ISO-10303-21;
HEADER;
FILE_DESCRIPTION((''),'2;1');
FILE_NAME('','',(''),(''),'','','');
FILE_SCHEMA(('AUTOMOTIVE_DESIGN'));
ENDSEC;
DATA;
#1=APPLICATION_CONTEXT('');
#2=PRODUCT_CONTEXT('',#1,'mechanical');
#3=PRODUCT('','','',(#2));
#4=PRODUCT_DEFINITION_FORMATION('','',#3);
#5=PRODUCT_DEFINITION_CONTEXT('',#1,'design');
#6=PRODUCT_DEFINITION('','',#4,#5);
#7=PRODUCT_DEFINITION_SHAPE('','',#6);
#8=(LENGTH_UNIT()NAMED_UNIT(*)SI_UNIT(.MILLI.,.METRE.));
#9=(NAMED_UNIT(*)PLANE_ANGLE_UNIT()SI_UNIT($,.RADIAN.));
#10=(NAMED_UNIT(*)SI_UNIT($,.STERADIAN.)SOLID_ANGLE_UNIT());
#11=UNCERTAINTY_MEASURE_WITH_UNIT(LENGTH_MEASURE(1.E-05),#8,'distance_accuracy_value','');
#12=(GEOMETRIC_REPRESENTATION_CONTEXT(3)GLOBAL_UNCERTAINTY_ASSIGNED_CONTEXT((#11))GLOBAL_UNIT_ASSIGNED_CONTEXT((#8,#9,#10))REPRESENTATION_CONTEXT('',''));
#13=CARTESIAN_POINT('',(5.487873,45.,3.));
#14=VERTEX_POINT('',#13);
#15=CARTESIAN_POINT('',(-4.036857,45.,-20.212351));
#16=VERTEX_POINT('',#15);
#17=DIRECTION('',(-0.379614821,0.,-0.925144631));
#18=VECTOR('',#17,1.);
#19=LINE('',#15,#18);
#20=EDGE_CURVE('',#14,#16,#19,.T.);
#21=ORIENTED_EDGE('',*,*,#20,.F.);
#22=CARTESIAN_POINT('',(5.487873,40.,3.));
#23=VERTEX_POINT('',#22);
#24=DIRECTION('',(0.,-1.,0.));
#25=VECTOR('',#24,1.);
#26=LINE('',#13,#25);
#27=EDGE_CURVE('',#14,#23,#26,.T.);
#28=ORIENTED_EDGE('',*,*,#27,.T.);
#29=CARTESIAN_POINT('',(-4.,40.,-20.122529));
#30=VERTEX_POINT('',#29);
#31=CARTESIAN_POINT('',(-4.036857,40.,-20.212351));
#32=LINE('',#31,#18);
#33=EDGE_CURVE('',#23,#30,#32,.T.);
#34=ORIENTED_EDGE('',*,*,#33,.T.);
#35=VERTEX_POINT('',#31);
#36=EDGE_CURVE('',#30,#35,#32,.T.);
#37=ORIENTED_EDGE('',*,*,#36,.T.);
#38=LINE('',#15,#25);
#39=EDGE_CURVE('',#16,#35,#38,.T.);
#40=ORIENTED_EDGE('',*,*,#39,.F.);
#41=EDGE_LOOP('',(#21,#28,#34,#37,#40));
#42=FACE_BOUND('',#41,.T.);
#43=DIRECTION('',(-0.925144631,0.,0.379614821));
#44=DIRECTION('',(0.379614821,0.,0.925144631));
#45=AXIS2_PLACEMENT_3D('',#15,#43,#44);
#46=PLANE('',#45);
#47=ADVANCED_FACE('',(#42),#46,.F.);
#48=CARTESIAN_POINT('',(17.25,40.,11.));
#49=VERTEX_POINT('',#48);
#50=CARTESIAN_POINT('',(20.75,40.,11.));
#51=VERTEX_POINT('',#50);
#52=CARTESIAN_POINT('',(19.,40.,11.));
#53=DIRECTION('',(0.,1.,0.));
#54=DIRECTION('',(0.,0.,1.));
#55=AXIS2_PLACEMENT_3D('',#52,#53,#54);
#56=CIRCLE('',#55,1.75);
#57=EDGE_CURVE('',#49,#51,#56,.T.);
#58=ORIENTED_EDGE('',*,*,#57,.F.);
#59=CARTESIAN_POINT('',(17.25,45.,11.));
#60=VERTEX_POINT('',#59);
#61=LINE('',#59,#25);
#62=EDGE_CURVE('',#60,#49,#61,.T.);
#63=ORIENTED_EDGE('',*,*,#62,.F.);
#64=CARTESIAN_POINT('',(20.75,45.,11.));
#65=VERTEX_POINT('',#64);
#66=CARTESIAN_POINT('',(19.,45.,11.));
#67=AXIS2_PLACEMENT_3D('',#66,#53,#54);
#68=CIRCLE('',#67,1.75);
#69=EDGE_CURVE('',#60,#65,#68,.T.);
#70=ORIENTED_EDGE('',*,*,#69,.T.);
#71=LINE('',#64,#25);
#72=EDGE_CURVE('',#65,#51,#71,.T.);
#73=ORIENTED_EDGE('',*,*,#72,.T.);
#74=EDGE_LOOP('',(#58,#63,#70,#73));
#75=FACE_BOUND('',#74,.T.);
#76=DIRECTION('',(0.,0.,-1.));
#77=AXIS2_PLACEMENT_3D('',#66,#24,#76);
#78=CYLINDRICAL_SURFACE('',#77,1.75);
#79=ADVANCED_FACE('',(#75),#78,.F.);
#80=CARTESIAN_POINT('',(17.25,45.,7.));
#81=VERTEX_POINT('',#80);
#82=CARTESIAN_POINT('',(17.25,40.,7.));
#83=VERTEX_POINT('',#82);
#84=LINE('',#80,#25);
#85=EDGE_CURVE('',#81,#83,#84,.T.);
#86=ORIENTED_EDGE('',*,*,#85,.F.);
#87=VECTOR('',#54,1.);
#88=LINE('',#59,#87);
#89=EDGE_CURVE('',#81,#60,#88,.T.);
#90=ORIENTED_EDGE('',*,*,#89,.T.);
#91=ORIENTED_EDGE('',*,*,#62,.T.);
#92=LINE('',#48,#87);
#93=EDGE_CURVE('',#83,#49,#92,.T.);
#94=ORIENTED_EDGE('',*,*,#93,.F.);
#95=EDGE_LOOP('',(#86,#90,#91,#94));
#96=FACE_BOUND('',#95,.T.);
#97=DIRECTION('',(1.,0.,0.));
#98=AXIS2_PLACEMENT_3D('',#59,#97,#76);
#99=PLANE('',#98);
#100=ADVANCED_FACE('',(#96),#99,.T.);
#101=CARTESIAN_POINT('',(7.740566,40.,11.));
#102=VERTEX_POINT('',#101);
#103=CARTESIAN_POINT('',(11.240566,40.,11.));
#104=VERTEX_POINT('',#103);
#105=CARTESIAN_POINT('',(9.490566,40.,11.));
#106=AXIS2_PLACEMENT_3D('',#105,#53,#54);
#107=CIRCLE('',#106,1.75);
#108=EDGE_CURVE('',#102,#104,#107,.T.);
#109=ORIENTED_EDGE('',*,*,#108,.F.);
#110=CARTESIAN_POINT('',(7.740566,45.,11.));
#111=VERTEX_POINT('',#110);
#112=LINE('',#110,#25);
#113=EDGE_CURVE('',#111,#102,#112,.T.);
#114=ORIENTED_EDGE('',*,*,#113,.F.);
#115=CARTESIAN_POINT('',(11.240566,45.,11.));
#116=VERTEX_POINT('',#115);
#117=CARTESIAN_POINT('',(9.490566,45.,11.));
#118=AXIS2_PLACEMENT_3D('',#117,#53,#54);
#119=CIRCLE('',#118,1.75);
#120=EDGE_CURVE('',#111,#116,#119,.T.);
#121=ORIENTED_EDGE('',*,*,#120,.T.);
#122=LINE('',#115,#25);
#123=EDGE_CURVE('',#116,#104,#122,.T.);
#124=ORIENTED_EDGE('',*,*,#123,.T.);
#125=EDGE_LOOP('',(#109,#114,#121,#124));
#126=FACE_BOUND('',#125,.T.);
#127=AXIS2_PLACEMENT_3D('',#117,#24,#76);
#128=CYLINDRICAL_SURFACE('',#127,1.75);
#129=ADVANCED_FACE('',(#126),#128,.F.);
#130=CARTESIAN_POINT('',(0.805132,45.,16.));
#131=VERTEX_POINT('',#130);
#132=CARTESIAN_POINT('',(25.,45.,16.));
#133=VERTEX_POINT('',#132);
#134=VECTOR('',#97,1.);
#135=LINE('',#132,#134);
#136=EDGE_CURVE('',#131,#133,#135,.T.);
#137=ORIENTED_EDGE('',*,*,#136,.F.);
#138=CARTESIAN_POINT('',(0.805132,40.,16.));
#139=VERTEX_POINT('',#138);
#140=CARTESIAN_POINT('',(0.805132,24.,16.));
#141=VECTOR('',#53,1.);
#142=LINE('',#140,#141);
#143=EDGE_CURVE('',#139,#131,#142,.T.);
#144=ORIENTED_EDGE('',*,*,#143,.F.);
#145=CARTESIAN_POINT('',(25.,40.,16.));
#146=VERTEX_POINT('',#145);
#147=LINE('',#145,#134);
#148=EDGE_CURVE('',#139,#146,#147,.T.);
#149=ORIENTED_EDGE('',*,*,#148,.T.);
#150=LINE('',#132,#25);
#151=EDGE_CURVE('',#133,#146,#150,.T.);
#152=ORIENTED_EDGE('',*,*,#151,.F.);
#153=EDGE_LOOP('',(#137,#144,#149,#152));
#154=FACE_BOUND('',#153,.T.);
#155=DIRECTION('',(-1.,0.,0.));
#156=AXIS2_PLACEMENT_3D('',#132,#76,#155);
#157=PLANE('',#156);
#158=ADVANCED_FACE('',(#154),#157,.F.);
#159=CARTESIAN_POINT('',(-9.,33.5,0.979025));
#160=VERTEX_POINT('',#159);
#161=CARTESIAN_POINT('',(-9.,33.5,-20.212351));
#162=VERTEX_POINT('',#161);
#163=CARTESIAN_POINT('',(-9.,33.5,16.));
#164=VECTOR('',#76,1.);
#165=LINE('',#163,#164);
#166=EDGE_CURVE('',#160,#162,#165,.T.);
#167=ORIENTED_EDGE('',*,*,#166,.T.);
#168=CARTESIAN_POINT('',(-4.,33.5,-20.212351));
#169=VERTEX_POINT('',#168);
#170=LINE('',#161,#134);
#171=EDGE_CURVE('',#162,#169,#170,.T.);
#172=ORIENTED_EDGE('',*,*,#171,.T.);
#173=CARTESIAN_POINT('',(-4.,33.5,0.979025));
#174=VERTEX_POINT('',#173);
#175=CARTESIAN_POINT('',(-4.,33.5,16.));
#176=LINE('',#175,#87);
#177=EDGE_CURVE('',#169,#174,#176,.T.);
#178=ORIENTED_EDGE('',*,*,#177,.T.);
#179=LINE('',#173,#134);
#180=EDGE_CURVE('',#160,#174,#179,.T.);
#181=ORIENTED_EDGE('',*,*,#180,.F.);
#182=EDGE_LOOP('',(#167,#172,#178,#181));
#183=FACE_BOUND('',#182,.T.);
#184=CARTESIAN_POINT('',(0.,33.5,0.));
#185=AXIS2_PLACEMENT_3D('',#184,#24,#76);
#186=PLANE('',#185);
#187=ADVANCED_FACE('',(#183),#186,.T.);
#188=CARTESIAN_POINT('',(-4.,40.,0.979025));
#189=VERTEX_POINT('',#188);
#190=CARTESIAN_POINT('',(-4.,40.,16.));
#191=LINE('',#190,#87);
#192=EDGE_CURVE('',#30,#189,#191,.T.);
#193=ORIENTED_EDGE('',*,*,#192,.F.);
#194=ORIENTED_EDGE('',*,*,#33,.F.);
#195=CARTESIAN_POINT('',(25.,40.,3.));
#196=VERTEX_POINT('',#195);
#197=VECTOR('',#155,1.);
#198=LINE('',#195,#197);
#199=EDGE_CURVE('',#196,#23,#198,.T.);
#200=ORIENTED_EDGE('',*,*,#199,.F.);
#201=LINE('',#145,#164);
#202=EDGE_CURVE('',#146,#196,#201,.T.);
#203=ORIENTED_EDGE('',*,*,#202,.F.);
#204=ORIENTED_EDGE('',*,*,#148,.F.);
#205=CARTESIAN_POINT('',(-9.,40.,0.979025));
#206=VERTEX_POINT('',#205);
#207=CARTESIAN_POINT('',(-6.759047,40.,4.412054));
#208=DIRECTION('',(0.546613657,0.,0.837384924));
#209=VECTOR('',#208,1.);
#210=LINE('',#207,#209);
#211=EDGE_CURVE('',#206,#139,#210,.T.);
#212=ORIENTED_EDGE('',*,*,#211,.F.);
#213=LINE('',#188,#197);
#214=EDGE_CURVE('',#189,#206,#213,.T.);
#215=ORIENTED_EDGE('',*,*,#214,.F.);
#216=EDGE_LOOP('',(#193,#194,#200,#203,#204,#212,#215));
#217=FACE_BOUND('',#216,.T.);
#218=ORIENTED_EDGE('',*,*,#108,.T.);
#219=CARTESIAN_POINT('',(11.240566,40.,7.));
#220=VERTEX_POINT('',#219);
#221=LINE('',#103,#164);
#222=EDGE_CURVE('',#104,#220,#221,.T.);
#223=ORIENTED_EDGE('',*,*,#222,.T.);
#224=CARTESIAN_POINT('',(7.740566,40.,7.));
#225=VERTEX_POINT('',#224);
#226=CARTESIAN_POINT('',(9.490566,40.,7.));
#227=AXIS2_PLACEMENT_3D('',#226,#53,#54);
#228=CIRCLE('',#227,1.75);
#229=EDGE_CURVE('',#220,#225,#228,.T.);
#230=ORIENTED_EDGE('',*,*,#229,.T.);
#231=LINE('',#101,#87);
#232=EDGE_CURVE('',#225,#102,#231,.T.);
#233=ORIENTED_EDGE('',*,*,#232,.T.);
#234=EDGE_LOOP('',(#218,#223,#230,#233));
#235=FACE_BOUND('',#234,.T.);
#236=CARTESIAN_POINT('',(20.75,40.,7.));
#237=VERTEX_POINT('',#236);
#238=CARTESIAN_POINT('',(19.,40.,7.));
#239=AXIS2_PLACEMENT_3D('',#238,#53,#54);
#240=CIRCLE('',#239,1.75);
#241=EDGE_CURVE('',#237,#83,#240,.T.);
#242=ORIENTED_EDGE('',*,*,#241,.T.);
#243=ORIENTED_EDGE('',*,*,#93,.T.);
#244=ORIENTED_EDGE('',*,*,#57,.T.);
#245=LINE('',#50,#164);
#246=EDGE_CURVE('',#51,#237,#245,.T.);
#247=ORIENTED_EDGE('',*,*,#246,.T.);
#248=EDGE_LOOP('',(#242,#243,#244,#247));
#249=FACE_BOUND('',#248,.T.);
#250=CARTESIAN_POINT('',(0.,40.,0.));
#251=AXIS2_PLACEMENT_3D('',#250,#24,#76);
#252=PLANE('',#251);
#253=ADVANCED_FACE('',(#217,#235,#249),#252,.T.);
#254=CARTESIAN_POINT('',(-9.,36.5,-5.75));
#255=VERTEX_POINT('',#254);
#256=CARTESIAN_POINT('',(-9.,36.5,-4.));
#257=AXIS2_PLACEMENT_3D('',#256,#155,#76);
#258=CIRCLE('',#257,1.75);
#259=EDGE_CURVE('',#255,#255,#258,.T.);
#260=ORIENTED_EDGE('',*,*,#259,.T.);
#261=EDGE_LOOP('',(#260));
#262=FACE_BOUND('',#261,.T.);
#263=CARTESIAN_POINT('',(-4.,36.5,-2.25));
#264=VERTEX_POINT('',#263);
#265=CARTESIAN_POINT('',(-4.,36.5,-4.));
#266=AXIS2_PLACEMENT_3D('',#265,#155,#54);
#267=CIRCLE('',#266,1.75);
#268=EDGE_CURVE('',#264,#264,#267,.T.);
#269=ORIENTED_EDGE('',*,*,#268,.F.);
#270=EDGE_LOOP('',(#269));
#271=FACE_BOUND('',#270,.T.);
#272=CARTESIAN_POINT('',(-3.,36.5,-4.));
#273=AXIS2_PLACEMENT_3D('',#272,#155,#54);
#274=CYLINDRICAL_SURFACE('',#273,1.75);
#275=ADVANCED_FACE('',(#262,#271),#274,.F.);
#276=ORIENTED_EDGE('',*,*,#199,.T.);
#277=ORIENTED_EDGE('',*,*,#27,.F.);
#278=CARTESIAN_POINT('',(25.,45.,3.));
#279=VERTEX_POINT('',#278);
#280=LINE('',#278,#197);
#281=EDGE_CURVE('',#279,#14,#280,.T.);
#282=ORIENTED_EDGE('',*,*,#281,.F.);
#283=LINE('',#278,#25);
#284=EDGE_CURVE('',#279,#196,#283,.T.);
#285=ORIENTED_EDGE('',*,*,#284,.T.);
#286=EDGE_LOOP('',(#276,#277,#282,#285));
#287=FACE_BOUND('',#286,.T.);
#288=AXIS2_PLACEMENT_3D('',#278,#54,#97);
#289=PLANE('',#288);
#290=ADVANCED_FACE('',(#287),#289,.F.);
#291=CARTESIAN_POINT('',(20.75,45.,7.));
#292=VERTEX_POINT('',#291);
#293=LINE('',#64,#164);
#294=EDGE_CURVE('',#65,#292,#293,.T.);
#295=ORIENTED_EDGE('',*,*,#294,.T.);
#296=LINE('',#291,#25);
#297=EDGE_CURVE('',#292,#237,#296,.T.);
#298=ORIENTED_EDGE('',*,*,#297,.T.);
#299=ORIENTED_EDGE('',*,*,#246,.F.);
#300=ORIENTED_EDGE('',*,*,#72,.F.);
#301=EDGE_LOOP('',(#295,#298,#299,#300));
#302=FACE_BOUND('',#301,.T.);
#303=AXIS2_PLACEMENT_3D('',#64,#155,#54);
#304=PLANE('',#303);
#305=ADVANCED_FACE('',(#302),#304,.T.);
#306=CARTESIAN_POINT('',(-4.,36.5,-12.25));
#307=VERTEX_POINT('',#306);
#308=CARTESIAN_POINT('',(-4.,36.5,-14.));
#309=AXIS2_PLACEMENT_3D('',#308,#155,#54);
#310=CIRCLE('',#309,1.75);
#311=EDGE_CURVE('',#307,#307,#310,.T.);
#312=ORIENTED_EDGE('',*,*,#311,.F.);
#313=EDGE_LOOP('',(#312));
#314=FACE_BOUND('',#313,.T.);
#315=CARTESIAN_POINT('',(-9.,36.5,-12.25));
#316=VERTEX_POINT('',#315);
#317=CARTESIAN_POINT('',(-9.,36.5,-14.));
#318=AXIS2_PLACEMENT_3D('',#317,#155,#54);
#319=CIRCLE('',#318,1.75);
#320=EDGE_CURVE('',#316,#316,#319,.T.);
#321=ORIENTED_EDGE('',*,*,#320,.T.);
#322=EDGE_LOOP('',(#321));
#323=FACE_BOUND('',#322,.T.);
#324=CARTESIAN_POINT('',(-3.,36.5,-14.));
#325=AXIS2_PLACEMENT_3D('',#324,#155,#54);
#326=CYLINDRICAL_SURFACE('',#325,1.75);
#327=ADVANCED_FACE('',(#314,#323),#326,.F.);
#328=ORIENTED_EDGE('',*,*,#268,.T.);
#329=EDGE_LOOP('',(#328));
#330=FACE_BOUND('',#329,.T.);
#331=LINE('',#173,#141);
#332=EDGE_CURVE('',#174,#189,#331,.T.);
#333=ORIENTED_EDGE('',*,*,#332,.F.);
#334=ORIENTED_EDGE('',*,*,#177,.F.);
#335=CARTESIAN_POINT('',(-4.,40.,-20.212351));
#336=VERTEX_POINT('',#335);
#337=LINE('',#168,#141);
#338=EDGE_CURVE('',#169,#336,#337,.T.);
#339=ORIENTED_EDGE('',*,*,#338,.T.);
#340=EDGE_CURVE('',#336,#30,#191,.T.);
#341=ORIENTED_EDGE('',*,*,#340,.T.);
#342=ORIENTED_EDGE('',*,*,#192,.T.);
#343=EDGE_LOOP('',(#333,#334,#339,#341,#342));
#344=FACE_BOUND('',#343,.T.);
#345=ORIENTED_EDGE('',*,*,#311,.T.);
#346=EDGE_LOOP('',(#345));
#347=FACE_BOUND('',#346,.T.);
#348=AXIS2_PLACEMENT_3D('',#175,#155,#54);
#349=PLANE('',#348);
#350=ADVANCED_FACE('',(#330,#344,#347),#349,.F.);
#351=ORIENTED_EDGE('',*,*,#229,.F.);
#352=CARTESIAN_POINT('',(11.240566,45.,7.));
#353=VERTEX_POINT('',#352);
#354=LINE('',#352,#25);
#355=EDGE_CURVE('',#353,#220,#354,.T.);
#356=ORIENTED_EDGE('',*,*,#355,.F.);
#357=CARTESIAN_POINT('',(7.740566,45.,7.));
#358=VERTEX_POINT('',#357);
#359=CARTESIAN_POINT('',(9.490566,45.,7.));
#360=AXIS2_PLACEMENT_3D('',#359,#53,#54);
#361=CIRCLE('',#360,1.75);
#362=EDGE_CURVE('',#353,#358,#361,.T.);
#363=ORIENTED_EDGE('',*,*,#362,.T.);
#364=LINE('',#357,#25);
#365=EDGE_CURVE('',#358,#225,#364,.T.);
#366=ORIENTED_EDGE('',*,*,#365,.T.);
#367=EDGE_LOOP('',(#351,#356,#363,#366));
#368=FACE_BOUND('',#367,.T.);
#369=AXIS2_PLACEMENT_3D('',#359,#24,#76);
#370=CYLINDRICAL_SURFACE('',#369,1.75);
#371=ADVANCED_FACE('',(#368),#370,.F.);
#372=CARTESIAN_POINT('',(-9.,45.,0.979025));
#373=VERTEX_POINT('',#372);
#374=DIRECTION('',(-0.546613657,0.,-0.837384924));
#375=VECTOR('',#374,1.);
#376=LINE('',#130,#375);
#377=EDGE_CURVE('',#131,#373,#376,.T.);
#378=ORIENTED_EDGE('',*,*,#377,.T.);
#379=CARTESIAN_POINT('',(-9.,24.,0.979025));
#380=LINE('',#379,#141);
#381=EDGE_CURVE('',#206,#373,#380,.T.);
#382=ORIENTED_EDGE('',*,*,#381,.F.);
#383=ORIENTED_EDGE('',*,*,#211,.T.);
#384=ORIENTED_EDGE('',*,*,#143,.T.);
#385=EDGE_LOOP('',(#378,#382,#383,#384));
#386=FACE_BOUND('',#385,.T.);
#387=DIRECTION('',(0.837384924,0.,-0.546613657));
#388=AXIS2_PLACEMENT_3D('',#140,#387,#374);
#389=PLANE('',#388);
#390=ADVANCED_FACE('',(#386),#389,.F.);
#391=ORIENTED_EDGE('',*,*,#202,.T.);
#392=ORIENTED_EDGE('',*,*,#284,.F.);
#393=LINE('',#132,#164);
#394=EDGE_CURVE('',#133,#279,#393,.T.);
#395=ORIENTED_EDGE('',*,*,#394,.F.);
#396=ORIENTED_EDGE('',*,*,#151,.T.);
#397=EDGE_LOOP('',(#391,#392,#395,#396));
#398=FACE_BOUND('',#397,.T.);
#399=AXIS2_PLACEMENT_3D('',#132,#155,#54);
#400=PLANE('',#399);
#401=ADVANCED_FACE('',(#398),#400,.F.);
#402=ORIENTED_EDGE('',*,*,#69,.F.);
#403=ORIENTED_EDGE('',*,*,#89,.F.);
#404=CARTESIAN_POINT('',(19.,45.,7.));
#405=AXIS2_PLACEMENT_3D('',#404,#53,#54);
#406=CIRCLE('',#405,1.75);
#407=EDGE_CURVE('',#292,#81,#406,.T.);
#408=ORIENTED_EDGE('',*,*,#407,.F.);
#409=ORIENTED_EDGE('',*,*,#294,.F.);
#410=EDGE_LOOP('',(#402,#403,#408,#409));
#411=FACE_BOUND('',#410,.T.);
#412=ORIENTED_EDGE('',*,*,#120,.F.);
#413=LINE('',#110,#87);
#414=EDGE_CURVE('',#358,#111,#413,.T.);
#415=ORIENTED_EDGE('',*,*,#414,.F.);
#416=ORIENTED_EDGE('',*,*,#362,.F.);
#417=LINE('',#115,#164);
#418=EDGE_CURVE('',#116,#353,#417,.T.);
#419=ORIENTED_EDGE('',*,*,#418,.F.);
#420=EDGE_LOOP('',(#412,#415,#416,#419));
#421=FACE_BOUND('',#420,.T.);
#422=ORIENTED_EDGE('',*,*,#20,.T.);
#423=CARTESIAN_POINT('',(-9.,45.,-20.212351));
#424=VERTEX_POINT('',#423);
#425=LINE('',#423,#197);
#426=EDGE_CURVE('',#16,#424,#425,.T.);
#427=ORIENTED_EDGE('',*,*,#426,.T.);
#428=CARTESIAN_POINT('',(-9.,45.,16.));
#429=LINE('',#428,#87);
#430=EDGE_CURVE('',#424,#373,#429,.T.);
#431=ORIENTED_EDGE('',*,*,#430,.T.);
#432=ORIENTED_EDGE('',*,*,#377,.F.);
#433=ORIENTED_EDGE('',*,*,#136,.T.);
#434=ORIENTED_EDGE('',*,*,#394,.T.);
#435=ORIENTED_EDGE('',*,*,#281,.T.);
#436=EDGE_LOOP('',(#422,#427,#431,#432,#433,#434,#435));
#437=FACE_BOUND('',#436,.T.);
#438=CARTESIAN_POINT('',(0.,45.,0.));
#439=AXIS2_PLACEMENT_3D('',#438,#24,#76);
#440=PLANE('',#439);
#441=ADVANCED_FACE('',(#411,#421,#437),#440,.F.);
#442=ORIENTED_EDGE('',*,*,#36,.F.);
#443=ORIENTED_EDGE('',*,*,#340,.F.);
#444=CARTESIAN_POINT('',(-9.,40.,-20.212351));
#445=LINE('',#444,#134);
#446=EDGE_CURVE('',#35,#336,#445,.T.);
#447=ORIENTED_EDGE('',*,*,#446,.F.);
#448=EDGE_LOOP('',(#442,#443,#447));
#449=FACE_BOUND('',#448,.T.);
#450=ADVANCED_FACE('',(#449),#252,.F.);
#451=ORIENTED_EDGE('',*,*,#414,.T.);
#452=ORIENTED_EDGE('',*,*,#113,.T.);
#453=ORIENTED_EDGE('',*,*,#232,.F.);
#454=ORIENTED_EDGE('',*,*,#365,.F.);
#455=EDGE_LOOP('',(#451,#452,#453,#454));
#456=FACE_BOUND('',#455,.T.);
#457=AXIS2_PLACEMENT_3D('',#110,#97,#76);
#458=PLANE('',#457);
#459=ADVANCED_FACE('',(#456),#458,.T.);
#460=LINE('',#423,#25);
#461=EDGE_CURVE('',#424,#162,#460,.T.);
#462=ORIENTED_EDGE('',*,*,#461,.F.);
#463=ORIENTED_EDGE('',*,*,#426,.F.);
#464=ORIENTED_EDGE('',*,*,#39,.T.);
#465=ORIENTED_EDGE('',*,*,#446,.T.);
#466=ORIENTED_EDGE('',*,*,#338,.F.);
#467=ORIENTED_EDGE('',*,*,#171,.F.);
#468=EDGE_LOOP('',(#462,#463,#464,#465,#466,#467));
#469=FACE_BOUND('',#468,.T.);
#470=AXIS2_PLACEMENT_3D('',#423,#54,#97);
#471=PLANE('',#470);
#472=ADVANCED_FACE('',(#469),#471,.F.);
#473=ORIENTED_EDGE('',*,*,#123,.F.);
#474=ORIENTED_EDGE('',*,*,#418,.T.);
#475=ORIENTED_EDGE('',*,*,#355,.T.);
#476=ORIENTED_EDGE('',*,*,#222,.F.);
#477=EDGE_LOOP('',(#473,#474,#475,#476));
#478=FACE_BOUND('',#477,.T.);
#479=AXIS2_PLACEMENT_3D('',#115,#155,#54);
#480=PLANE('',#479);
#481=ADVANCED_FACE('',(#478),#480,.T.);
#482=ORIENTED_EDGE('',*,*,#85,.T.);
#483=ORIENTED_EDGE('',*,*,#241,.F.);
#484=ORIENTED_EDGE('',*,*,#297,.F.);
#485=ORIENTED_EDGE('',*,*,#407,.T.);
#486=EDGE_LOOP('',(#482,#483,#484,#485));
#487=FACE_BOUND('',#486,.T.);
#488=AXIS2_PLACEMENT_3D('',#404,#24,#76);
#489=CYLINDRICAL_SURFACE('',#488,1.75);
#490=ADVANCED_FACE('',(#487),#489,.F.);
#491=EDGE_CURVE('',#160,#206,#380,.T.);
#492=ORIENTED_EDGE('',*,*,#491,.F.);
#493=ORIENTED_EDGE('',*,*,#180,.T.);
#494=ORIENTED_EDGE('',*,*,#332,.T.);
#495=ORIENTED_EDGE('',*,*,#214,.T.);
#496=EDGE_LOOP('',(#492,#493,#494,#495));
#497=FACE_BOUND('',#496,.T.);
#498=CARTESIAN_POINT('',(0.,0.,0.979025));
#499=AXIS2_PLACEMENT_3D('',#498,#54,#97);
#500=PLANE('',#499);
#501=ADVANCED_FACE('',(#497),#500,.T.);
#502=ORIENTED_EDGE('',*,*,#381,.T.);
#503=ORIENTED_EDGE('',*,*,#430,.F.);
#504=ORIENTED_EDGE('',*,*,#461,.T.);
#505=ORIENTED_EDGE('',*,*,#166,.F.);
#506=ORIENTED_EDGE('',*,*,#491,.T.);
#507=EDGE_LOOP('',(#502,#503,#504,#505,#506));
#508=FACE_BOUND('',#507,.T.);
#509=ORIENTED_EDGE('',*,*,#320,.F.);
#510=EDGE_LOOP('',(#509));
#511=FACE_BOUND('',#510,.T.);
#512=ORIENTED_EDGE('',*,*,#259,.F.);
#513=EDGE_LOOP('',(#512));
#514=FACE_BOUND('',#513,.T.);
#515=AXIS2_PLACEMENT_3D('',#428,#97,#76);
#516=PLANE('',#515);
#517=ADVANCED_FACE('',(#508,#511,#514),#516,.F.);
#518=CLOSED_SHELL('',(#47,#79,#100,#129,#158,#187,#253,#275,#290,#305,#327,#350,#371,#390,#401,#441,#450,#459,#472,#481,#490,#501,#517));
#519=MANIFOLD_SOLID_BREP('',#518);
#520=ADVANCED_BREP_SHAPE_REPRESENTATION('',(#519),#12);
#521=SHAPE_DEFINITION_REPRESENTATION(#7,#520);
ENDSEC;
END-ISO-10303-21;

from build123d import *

# Parameters (mm, degrees)
ESTRUSIONE_ESTRUSIONE8_DEPTH = 5
SCHIZZO19_W                  = 5
SCHIZZO19_H                  = 36.212351189
ESTRUSIONE_ESTRUSIONE9_DEPTH = 6.5
SCHIZZO20_R                  = 1.75
TAGLIO_ESTRUSIONE9_DEPTH     = 6
TAGLIO_ESTRUSIONE13_DEPTH    = 21
SCHIZZO26_W                  = 5
SCHIZZO26_H                  = 6.5
TAGLIO_ESTRUSIONE15_DEPTH    = 21


with BuildPart() as part:
    # Schizzo18 → Estrusione-Estrusione8 (new body)
    with BuildSketch(Plane(origin=(0, 40, 0), x_dir=(1, 0, 0), z_dir=(0, 1, 0))):
        Polygon((25, -16), (-9, -16), (-9, 20.212351189), (-4.036856652, 20.212351189), (5.487873038, -3), (25, -3), align=None)
        with BuildLine():
            Line((17.25, -11), (17.25, -7))
            ThreePointArc((17.25, -7), (19, -5.25), (20.75, -7))
            Line((20.75, -7), (20.75, -11))
            ThreePointArc((20.75, -11), (19, -12.75), (17.25, -11))
        make_face(mode=Mode.SUBTRACT)
        with BuildLine():
            Line((7.74056589, -11), (7.74056589, -7))
            ThreePointArc((7.74056589, -7), (9.49056589, -5.25), (11.24056589, -7))
            Line((11.24056589, -7), (11.24056589, -11))
            ThreePointArc((11.24056589, -11), (9.49056589, -12.75), (7.74056589, -11))
        make_face(mode=Mode.SUBTRACT)
    extrude(amount=ESTRUSIONE_ESTRUSIONE8_DEPTH)

    # Schizzo19 → Estrusione-Estrusione9 (add)
    with BuildSketch(Plane.XZ.offset(-40)):
        with Locations((-6.5, -2.106175594)):
            Rectangle(SCHIZZO19_W, SCHIZZO19_H)
    extrude(amount=ESTRUSIONE_ESTRUSIONE9_DEPTH)

    # Schizzo20 → Taglio-Estrusione9 (cut)
    with BuildSketch(Plane.ZY.offset(9)):
        with Locations((-14, 36.5)):
            Circle(SCHIZZO20_R)
        with Locations((-4, 36.5)):
            Circle(SCHIZZO20_R)
    extrude(amount=-TAGLIO_ESTRUSIONE9_DEPTH, mode=Mode.SUBTRACT)

    # Schizzo24 → Taglio-Estrusione13 (cut)
    with BuildSketch(Plane(origin=(0, 45, 0), x_dir=(1, 0, 0), z_dir=(0, 1, 0))):
        Polygon((0.805132443, -16), (-9, -0.979024983), (-9, -16), align=None)
    extrude(amount=-TAGLIO_ESTRUSIONE13_DEPTH, mode=Mode.SUBTRACT)

    # Schizzo26 → Taglio-Estrusione15 (cut)
    with BuildSketch(Plane.XY.offset(0.979024983)):
        with Locations((-6.5, 36.75)):
            Rectangle(SCHIZZO26_W, SCHIZZO26_H)
    extrude(amount=TAGLIO_ESTRUSIONE15_DEPTH, mode=Mode.SUBTRACT)


solid = part.part
